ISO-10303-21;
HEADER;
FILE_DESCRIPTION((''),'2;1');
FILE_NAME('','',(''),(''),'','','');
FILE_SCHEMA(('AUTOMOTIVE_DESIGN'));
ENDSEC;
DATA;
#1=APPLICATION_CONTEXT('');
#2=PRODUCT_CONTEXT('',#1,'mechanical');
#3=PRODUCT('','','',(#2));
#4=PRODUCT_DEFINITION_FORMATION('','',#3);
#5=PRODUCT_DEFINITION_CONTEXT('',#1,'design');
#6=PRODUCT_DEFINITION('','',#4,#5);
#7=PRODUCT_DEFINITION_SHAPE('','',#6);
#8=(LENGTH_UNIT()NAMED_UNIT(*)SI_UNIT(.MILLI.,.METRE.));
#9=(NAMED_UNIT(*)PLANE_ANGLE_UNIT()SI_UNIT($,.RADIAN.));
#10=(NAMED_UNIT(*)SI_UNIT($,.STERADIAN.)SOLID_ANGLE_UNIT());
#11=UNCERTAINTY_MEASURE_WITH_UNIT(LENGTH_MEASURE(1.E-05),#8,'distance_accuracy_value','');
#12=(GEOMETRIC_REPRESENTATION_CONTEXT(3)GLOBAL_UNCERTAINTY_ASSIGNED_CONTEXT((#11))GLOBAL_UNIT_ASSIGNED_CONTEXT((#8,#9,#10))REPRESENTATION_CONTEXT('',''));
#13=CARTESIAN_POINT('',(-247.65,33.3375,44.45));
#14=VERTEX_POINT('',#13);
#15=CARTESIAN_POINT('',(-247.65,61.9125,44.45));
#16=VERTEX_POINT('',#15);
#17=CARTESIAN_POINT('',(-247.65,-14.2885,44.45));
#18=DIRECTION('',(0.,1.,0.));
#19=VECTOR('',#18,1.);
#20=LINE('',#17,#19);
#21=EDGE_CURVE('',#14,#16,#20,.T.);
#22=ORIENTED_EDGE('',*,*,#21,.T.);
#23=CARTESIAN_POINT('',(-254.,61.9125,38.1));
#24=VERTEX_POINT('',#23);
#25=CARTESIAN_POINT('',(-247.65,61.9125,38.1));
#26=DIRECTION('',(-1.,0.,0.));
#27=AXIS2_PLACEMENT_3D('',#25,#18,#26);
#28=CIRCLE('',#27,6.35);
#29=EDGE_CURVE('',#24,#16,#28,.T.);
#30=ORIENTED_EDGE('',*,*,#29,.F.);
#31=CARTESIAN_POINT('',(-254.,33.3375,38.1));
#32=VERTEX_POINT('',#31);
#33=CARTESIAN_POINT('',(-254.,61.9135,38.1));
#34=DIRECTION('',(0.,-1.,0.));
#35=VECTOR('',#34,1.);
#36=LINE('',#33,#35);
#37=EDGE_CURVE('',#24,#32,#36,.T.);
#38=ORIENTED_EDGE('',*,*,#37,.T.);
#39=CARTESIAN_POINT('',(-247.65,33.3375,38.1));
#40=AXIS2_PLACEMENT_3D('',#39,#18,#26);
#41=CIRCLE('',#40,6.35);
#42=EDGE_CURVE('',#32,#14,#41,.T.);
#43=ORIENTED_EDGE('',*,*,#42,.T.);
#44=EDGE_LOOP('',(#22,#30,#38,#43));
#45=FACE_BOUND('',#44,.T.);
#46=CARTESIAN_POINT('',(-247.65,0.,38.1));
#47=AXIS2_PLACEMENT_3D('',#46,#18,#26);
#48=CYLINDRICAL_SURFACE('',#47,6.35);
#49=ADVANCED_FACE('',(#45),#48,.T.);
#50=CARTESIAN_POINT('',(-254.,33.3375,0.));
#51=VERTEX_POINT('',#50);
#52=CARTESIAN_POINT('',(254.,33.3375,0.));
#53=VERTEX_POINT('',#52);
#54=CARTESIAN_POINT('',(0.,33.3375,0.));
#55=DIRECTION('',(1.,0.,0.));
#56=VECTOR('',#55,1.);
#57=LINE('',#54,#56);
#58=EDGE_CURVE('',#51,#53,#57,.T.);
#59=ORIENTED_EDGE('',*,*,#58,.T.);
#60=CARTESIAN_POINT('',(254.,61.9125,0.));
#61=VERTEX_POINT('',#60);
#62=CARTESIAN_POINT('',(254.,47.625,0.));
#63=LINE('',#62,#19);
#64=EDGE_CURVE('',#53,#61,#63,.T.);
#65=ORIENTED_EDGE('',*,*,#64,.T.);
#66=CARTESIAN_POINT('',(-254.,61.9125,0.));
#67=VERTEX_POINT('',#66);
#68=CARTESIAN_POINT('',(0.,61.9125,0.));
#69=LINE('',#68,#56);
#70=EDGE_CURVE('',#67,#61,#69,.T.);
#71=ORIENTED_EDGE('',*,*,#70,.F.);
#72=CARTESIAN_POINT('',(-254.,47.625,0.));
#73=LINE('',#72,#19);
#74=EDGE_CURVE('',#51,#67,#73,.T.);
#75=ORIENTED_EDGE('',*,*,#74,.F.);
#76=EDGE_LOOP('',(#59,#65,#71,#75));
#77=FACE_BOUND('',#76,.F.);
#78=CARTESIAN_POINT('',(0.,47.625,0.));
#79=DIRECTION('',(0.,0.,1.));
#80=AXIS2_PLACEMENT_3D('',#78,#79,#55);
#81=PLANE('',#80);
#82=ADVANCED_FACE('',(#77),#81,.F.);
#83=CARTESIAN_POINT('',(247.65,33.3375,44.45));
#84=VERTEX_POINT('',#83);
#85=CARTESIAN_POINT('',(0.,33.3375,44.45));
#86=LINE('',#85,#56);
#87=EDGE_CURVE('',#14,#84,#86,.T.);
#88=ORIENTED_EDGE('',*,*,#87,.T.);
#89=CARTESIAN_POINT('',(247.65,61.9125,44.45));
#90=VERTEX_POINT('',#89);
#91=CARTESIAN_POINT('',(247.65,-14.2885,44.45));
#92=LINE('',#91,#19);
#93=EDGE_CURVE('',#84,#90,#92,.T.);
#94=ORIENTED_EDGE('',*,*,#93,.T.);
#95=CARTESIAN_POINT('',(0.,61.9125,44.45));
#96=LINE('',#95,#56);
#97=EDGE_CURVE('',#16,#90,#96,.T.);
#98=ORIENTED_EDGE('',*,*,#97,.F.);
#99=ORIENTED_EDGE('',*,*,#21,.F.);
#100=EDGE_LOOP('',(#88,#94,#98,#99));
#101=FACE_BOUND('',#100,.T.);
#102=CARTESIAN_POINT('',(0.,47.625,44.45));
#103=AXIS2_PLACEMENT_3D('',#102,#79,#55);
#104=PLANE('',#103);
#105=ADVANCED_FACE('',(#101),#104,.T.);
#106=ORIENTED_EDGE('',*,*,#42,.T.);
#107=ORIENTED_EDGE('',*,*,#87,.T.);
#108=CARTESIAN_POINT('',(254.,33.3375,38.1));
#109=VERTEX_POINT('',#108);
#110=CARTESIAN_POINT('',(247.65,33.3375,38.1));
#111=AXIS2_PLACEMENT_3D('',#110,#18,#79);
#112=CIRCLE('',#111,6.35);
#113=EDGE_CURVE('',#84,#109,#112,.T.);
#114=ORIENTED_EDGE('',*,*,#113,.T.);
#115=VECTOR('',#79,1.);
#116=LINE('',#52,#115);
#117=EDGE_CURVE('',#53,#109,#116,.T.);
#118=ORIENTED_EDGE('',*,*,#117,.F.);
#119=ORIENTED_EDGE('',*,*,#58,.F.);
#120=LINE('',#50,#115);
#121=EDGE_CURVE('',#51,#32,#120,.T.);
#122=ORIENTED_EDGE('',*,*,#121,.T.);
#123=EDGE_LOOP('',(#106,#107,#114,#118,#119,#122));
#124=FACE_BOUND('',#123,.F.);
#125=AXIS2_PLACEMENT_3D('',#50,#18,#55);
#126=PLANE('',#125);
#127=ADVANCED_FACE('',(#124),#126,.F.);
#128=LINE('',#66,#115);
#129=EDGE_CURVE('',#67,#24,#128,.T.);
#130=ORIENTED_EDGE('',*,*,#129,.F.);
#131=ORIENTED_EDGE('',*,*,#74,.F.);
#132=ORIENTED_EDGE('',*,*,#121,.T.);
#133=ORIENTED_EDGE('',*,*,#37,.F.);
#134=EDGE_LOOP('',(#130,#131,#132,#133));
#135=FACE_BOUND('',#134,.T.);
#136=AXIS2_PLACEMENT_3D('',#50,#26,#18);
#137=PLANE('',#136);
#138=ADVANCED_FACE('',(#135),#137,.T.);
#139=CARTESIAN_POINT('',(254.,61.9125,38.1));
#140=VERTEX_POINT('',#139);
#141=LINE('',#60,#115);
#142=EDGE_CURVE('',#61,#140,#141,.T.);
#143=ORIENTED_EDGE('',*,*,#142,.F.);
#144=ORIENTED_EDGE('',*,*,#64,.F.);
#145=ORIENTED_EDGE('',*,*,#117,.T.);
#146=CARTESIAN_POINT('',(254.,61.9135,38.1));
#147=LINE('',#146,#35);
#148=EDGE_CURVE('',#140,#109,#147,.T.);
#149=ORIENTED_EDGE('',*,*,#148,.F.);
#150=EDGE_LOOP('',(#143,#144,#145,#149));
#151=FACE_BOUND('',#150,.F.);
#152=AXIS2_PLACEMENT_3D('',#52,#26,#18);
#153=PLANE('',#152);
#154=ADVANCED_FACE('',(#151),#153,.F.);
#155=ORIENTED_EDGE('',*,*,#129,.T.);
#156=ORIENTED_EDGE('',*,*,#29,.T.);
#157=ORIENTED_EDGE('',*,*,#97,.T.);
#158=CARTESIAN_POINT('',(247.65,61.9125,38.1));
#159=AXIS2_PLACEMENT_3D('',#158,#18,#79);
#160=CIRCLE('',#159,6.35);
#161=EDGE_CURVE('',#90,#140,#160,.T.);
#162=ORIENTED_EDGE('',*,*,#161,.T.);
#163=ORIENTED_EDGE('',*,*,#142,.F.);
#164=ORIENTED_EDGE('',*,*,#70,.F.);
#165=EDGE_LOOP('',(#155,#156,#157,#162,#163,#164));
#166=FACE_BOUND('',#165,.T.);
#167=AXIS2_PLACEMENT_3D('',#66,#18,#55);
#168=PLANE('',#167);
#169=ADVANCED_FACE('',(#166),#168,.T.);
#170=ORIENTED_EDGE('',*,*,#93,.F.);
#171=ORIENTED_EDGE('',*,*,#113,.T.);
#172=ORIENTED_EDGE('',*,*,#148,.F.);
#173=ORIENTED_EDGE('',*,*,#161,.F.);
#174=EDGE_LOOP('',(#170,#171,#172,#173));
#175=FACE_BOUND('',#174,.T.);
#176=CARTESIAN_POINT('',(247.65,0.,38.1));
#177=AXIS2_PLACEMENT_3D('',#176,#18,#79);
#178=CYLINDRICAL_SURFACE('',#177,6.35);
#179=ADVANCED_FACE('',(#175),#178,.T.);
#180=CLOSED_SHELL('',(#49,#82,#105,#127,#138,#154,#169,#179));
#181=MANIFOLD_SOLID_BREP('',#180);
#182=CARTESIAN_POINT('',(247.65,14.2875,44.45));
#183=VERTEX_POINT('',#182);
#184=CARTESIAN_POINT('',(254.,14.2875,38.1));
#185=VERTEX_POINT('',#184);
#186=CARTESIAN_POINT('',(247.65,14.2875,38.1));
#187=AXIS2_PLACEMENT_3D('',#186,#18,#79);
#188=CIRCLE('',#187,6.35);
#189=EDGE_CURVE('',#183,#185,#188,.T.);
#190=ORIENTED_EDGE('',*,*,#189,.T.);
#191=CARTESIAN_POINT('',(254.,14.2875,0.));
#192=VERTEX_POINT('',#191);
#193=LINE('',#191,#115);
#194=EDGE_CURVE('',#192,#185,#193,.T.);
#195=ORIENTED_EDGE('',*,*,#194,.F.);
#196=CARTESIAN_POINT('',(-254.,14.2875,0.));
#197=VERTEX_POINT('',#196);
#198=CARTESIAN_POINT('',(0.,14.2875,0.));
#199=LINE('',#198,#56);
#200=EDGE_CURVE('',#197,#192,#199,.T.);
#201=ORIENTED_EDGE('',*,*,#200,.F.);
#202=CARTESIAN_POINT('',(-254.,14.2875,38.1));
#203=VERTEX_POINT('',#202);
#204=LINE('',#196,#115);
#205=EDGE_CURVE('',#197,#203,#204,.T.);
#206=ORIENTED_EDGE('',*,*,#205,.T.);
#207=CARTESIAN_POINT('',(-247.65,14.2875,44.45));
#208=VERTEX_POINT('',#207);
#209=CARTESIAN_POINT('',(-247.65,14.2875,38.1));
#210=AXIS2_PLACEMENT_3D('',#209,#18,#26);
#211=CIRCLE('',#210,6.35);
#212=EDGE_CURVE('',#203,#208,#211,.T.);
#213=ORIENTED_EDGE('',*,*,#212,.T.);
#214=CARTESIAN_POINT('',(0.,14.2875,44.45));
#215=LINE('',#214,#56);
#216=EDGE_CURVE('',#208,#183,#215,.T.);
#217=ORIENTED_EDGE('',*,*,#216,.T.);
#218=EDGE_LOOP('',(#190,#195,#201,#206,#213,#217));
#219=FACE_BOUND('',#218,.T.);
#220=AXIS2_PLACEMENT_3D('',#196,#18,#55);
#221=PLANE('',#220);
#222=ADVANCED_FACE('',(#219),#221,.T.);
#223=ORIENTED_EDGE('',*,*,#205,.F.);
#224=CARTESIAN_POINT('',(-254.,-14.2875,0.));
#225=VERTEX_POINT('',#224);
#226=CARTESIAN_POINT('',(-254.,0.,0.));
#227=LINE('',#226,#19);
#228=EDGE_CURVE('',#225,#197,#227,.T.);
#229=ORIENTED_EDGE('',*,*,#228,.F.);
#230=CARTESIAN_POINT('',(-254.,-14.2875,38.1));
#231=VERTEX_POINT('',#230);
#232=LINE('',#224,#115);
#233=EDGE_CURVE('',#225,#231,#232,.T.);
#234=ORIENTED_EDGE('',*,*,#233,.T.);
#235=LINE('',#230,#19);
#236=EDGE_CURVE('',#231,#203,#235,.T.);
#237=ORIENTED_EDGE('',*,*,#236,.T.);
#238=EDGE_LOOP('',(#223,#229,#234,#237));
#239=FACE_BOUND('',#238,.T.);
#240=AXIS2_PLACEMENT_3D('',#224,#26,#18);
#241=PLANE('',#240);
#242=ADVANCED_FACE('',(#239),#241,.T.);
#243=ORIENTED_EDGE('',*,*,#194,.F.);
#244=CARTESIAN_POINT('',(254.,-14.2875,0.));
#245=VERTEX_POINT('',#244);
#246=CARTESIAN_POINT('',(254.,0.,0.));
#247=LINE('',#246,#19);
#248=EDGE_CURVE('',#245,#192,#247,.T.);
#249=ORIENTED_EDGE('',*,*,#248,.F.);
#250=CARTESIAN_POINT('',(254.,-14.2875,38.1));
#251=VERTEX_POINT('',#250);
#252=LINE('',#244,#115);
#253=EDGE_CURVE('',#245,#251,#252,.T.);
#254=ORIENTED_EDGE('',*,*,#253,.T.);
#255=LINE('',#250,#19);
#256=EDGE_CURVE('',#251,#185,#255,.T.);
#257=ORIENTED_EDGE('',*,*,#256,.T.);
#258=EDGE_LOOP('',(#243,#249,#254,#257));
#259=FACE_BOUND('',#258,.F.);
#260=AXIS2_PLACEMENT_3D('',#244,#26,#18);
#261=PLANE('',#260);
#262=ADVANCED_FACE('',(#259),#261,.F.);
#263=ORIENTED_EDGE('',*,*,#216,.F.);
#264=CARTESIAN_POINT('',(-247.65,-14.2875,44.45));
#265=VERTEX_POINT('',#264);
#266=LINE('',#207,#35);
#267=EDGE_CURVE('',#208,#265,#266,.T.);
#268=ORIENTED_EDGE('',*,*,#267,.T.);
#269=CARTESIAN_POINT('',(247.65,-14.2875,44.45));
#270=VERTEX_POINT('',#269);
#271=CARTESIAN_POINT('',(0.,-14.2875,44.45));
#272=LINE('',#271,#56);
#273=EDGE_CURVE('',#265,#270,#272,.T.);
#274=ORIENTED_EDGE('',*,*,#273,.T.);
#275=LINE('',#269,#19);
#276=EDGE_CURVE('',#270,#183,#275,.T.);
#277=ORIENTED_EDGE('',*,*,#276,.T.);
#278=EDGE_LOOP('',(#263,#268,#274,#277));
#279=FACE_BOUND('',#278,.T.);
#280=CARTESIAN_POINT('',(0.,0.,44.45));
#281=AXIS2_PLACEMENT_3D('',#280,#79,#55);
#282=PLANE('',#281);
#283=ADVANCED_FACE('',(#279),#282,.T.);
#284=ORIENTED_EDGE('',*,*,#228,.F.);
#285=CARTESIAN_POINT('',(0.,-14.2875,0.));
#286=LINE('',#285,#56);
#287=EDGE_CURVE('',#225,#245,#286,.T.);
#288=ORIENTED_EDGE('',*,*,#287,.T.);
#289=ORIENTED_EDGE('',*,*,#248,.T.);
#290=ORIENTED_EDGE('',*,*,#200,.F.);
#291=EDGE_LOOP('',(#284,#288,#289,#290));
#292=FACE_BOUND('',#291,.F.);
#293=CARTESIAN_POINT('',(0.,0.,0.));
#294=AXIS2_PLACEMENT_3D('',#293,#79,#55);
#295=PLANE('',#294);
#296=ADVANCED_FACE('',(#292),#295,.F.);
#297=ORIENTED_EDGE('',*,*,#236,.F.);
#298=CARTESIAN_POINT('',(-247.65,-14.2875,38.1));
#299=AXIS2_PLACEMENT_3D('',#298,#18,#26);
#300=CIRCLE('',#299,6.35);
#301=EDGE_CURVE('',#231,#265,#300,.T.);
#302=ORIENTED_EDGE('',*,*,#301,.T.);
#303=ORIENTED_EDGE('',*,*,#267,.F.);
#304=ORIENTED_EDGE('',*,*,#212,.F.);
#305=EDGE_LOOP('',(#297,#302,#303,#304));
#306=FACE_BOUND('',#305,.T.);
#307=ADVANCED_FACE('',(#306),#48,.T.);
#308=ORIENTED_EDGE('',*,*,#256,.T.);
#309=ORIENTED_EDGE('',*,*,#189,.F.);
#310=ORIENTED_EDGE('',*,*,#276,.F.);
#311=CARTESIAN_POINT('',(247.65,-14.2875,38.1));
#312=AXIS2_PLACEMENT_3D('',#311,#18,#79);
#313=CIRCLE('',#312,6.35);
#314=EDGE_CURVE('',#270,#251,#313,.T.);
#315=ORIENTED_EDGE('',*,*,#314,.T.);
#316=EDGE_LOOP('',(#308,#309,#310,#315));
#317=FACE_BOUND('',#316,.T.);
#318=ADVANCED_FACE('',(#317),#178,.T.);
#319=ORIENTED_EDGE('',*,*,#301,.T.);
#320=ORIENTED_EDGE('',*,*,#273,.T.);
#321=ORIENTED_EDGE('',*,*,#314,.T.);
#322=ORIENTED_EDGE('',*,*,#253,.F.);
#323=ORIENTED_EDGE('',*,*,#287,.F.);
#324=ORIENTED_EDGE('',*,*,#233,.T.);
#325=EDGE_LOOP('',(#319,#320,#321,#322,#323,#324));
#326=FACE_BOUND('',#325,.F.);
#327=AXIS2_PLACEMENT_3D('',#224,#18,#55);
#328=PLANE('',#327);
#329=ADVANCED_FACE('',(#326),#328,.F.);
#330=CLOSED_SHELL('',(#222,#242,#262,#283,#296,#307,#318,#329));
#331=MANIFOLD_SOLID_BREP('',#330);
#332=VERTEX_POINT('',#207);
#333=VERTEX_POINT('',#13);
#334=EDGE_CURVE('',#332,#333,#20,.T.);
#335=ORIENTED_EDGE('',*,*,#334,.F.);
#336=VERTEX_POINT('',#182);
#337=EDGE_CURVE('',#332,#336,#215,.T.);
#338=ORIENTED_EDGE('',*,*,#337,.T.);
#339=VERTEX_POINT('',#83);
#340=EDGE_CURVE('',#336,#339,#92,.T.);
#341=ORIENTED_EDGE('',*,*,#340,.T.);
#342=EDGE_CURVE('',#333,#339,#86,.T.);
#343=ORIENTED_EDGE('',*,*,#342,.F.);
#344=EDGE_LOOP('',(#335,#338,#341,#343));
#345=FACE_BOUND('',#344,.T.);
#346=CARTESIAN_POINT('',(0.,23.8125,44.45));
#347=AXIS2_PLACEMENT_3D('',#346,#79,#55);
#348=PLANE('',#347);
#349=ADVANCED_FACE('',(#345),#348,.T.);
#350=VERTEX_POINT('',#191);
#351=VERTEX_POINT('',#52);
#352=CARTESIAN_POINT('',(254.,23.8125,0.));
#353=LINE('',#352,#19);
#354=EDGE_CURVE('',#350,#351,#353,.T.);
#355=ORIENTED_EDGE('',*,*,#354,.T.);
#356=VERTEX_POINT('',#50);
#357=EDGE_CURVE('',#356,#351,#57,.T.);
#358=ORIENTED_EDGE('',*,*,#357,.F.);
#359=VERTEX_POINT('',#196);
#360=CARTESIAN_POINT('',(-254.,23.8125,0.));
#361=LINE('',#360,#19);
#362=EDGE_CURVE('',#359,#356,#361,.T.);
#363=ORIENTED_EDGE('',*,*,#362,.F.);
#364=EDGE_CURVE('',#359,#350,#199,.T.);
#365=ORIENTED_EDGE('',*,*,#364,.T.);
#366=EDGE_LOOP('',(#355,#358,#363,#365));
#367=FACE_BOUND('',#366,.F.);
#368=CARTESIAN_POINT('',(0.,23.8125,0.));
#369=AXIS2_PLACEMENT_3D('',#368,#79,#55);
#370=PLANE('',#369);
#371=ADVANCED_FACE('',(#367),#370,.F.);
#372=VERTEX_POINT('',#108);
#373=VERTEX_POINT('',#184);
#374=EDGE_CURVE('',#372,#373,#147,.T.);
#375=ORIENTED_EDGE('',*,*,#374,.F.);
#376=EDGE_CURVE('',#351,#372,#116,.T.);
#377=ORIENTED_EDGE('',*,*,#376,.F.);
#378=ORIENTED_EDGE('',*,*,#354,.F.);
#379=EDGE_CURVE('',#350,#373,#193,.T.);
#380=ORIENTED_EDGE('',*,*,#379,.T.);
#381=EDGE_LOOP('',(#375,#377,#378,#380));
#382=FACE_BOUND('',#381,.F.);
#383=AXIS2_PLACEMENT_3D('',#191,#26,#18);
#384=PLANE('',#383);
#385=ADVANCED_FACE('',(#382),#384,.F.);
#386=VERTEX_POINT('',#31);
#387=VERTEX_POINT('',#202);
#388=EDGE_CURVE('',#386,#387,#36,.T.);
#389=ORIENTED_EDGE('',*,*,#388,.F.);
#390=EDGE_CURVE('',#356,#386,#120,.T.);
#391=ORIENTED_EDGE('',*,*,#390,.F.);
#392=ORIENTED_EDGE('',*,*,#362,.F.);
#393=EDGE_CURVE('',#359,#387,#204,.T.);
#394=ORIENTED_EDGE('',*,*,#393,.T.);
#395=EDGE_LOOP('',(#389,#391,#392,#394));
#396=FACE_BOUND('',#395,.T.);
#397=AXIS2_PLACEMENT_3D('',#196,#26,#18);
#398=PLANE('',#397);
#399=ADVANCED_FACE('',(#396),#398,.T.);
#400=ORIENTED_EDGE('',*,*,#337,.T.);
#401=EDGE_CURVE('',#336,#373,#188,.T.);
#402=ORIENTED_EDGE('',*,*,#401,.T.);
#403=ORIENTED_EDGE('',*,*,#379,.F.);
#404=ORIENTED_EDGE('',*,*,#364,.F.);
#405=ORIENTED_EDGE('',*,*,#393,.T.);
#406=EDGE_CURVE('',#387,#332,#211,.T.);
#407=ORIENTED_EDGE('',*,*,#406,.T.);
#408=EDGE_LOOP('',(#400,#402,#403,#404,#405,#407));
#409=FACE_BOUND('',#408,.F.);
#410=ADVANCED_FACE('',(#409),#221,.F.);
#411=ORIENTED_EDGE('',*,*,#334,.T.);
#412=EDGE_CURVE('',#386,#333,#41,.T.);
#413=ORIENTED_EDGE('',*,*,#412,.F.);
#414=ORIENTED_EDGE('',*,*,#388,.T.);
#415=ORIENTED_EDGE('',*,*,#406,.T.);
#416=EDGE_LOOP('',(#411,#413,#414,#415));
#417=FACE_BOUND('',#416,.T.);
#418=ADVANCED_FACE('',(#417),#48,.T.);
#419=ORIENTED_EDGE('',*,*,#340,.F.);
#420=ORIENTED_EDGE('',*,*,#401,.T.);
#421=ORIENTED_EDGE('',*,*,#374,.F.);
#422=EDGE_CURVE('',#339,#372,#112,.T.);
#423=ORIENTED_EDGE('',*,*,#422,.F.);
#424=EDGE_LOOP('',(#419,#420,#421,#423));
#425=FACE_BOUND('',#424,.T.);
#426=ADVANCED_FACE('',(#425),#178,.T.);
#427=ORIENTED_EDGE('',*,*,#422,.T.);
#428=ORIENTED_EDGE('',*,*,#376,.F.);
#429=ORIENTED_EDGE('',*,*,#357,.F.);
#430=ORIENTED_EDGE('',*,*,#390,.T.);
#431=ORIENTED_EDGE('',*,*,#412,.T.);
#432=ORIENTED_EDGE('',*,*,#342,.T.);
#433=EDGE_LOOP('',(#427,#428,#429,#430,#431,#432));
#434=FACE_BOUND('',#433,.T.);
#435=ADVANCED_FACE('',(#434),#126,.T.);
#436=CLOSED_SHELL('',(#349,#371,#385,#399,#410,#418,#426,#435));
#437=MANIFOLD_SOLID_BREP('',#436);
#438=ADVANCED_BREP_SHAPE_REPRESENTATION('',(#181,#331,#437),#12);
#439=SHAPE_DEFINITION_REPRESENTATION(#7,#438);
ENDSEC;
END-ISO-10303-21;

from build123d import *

# Parameters (mm, degrees)
F0_W          = 508
F0_H          = 28.575
F1_DEPTH      = 44.45
F2_W          = 508
F2_H          = 19.05
F3_DEPTH      = 44.45
F4_W          = 508
F4_H          = 28.575
F5_DEPTH      = 44.45
F7_DEPTH      = 61.9135
F7_DEPTH_BACK = 14.2885
F8_DEPTH      = 61.9135
F9_DEPTH      = 61.9135


with BuildPart() as f1:
    # F0 (on Top) → F1 (new body)
    with BuildSketch(Plane.XY):
        Rectangle(F0_W, F0_H)
    extrude(amount=F1_DEPTH)


with BuildPart() as f3:
    # F2 (on Top) → F3 (new body, through all)
    with BuildSketch(Plane.XY):
        with Locations((0, 23.8125)):
            Rectangle(F2_W, F2_H)
    extrude(amount=F3_DEPTH)


with BuildPart() as f5:
    # F4 (on Top) → F5 (new body, through all)
    with BuildSketch(Plane.XY):
        with Locations((0, 47.625)):
            Rectangle(F4_W, F4_H)
    extrude(amount=F5_DEPTH)


with BuildPart() as f7_tool:
    # F6 (on Front) → F7 (new body, two sides)
    with BuildSketch(Plane.XZ) as f7_sk:
        with BuildLine():
            ThreePointArc((247.65, 44.45), (252.1401280605, 42.5901280605), (254, 38.1))
            Line((254, 38.1), (254, 44.45))
            Line((254, 44.45), (247.65, 44.45))
        make_face()
        with BuildLine():
            Line((-254, 44.45), (-254, 38.1))
            ThreePointArc((-254, 38.1), (-252.1401280605, 42.5901280605), (-247.65, 44.45))
            Line((-247.65, 44.45), (-254, 44.45))
        make_face()
    extrude(amount=-F7_DEPTH)
    extrude(f7_sk.sketch, amount=F7_DEPTH_BACK)


with BuildPart() as f1_1:
    add(f1.part)

    # F7: cut by f7_tool
    add(f7_tool.part, mode=Mode.SUBTRACT)

    # F6 (on Front) → F8 (cut, through all)
    with BuildSketch(Plane.XZ):
        with BuildLine():
            ThreePointArc((247.65, 44.45), (252.1401280605, 42.5901280605), (254, 38.1))
            Line((254, 38.1), (254, 44.45))
            Line((254, 44.45), (247.65, 44.45))
        make_face()
        with BuildLine():
            Line((-254, 44.45), (-254, 38.1))
            ThreePointArc((-254, 38.1), (-252.1401280605, 42.5901280605), (-247.65, 44.45))
            Line((-247.65, 44.45), (-254, 44.45))
        make_face()
    extrude(amount=-F8_DEPTH, mode=Mode.SUBTRACT)

    # F6 (on Front) → F9 (cut, through all)
    with BuildSketch(Plane.XZ):
        with BuildLine():
            ThreePointArc((247.65, 44.45), (252.1401280605, 42.5901280605), (254, 38.1))
            Line((254, 38.1), (254, 44.45))
            Line((254, 44.45), (247.65, 44.45))
        make_face()
        with BuildLine():
            Line((-254, 44.45), (-254, 38.1))
            ThreePointArc((-254, 38.1), (-252.1401280605, 42.5901280605), (-247.65, 44.45))
            Line((-247.65, 44.45), (-254, 44.45))
        make_face()
    extrude(amount=-F9_DEPTH, mode=Mode.SUBTRACT)


with BuildPart() as f3_1:
    add(f3.part)

    # F7: cut by f7_tool
    add(f7_tool.part, mode=Mode.SUBTRACT)


with BuildPart() as f5_1:
    add(f5.part)

    # F7: cut by f7_tool
    add(f7_tool.part, mode=Mode.SUBTRACT)


solid = Compound([f1_1.part, f3_1.part, f5_1.part])
